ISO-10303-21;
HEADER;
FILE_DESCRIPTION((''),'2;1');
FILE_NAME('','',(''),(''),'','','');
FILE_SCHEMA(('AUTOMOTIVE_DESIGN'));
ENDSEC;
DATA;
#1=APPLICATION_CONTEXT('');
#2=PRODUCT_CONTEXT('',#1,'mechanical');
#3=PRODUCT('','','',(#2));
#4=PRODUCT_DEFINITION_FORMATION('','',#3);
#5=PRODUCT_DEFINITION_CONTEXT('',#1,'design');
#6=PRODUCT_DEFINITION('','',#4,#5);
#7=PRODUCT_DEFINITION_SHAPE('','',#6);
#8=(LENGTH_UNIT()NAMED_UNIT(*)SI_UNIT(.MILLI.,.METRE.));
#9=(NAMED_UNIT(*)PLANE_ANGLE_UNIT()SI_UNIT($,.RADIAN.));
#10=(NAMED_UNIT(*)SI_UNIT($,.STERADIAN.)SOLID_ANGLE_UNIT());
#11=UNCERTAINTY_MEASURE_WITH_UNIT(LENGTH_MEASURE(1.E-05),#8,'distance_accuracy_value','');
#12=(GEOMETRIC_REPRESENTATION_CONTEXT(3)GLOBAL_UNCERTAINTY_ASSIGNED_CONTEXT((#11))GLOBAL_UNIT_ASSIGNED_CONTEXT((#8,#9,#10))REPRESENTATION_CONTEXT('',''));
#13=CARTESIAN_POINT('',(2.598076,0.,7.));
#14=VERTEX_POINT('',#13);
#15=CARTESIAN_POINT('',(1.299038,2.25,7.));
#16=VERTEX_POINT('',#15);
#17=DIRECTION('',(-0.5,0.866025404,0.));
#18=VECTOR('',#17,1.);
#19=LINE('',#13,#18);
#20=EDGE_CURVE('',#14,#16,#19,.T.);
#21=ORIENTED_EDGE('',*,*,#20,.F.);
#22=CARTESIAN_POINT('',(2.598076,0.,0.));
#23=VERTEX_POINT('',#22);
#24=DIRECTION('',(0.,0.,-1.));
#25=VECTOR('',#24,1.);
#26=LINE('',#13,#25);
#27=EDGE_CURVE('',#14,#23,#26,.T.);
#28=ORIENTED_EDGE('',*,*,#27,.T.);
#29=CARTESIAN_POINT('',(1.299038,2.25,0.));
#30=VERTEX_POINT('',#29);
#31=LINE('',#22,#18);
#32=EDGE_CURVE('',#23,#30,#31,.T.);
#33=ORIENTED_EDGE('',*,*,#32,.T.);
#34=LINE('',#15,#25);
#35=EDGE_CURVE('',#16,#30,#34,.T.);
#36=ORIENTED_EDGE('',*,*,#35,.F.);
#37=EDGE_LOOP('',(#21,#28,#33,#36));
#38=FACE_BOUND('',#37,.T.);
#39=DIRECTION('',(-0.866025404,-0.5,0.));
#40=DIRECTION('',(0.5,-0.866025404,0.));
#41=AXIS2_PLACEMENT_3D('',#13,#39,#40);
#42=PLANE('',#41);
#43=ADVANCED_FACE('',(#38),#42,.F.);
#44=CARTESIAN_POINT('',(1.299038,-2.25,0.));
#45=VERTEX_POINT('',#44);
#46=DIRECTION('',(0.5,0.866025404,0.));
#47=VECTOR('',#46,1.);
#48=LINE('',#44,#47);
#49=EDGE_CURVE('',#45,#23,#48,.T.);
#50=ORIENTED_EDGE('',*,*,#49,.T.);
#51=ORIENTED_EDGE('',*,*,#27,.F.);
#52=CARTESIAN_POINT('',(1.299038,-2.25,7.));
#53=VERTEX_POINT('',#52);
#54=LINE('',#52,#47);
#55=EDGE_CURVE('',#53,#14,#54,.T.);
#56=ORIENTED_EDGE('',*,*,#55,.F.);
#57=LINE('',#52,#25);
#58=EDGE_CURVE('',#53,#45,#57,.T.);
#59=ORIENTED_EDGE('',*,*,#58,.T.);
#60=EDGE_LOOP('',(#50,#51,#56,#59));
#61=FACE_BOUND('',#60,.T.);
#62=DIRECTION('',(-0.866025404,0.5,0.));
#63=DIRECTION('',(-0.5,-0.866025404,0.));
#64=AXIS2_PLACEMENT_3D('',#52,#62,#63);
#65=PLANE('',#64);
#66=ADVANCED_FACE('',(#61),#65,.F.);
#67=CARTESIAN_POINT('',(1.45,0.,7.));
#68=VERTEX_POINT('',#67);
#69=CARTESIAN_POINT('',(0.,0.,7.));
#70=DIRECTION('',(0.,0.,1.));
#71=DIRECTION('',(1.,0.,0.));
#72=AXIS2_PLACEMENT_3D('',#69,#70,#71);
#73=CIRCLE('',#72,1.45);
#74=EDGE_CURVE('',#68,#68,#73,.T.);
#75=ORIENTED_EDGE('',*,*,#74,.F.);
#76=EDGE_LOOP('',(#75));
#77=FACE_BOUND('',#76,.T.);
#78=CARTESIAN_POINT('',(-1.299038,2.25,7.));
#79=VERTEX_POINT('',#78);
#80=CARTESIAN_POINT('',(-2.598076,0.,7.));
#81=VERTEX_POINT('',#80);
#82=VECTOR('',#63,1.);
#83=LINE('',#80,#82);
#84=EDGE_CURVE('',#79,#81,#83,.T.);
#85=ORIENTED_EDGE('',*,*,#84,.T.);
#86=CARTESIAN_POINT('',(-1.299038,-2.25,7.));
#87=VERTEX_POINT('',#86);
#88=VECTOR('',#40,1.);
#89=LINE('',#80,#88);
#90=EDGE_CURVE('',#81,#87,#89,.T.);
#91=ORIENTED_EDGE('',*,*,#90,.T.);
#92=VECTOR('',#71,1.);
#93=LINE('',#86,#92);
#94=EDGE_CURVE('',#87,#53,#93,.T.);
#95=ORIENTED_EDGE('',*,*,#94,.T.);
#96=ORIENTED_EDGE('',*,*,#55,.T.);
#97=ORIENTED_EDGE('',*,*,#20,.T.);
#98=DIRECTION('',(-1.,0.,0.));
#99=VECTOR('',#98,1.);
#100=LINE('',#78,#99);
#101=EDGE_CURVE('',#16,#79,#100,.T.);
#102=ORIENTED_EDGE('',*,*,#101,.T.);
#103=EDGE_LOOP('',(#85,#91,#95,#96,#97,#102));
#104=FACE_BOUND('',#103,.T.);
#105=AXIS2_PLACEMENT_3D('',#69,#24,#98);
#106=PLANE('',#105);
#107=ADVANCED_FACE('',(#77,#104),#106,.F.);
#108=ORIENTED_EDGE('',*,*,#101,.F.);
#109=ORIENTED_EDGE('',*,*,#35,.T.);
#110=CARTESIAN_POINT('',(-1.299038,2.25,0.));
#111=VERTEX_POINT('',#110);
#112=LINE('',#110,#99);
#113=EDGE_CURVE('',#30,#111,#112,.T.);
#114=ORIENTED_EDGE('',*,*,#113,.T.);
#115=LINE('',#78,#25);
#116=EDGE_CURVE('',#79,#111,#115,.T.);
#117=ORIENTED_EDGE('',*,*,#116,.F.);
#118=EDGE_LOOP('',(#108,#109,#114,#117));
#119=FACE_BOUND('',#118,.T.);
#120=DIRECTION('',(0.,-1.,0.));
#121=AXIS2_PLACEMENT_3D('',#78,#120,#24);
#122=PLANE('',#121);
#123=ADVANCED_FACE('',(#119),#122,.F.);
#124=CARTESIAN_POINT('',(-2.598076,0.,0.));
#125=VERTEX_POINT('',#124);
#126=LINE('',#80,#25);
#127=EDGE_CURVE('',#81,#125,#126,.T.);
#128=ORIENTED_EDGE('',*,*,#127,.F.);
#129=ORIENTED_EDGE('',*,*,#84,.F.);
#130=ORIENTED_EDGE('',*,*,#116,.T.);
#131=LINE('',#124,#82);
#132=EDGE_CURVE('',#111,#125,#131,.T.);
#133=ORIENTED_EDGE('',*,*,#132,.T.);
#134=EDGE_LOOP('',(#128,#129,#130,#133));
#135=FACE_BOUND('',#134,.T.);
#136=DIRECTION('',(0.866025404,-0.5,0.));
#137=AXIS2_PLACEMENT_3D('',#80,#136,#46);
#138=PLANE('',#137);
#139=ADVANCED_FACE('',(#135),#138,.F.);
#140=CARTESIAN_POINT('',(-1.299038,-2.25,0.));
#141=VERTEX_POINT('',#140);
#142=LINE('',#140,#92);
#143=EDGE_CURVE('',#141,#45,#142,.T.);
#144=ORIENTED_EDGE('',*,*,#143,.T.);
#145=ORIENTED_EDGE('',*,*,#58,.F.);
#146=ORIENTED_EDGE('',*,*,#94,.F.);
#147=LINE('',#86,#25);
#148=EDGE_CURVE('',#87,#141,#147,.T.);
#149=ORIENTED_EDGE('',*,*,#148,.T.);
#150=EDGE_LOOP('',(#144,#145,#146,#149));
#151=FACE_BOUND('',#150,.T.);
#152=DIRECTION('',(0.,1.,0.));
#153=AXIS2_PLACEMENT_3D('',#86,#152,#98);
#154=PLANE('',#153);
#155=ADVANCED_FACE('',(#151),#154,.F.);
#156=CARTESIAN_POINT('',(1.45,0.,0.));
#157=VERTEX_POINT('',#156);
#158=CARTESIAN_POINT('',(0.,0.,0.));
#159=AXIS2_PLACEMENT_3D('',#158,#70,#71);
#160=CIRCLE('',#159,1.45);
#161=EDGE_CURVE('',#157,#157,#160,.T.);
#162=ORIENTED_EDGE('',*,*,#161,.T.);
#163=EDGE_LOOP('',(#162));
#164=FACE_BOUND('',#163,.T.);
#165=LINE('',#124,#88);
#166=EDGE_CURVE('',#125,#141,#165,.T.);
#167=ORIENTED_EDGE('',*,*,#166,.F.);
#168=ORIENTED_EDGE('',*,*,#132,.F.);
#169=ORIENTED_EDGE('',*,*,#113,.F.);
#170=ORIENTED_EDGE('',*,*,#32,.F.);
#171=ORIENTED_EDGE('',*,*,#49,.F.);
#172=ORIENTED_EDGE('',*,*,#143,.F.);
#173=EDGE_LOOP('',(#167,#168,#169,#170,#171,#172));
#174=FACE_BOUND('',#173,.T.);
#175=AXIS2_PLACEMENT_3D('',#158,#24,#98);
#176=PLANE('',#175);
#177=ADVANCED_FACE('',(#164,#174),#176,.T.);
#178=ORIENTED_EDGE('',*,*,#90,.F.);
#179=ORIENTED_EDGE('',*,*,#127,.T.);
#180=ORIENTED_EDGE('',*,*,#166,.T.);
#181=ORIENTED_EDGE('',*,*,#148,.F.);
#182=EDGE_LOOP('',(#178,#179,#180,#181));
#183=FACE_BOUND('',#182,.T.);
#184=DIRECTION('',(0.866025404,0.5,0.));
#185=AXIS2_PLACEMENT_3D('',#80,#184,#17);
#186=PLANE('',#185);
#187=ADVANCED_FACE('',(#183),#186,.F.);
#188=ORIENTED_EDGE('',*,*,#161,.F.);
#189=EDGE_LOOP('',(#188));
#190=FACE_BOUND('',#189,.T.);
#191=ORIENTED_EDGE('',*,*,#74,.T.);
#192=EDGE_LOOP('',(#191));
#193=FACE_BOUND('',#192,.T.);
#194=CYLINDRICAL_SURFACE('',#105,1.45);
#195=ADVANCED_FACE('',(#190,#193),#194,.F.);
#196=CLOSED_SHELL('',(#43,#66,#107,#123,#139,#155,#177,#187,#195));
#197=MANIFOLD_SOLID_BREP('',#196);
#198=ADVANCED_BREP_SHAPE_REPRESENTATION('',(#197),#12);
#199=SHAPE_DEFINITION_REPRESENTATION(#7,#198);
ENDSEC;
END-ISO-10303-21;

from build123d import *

# Parameters (mm, degrees)
SKETCH1_R           = 1.45
BOSS_EXTRUDE1_DEPTH = 7


with BuildPart() as part:
    # Sketch1 → Boss-Extrude1 (new body)
    with BuildSketch(Plane.XY):
        Polygon((-1.299038106, -2.25), (1.299038106, -2.25), (2.598076211, 0), (1.299038106, 2.25), (-1.299038106, 2.25), (-2.598076211, 0), align=None)
        Circle(SKETCH1_R, mode=Mode.SUBTRACT)
    extrude(amount=BOSS_EXTRUDE1_DEPTH)


solid = part.part
